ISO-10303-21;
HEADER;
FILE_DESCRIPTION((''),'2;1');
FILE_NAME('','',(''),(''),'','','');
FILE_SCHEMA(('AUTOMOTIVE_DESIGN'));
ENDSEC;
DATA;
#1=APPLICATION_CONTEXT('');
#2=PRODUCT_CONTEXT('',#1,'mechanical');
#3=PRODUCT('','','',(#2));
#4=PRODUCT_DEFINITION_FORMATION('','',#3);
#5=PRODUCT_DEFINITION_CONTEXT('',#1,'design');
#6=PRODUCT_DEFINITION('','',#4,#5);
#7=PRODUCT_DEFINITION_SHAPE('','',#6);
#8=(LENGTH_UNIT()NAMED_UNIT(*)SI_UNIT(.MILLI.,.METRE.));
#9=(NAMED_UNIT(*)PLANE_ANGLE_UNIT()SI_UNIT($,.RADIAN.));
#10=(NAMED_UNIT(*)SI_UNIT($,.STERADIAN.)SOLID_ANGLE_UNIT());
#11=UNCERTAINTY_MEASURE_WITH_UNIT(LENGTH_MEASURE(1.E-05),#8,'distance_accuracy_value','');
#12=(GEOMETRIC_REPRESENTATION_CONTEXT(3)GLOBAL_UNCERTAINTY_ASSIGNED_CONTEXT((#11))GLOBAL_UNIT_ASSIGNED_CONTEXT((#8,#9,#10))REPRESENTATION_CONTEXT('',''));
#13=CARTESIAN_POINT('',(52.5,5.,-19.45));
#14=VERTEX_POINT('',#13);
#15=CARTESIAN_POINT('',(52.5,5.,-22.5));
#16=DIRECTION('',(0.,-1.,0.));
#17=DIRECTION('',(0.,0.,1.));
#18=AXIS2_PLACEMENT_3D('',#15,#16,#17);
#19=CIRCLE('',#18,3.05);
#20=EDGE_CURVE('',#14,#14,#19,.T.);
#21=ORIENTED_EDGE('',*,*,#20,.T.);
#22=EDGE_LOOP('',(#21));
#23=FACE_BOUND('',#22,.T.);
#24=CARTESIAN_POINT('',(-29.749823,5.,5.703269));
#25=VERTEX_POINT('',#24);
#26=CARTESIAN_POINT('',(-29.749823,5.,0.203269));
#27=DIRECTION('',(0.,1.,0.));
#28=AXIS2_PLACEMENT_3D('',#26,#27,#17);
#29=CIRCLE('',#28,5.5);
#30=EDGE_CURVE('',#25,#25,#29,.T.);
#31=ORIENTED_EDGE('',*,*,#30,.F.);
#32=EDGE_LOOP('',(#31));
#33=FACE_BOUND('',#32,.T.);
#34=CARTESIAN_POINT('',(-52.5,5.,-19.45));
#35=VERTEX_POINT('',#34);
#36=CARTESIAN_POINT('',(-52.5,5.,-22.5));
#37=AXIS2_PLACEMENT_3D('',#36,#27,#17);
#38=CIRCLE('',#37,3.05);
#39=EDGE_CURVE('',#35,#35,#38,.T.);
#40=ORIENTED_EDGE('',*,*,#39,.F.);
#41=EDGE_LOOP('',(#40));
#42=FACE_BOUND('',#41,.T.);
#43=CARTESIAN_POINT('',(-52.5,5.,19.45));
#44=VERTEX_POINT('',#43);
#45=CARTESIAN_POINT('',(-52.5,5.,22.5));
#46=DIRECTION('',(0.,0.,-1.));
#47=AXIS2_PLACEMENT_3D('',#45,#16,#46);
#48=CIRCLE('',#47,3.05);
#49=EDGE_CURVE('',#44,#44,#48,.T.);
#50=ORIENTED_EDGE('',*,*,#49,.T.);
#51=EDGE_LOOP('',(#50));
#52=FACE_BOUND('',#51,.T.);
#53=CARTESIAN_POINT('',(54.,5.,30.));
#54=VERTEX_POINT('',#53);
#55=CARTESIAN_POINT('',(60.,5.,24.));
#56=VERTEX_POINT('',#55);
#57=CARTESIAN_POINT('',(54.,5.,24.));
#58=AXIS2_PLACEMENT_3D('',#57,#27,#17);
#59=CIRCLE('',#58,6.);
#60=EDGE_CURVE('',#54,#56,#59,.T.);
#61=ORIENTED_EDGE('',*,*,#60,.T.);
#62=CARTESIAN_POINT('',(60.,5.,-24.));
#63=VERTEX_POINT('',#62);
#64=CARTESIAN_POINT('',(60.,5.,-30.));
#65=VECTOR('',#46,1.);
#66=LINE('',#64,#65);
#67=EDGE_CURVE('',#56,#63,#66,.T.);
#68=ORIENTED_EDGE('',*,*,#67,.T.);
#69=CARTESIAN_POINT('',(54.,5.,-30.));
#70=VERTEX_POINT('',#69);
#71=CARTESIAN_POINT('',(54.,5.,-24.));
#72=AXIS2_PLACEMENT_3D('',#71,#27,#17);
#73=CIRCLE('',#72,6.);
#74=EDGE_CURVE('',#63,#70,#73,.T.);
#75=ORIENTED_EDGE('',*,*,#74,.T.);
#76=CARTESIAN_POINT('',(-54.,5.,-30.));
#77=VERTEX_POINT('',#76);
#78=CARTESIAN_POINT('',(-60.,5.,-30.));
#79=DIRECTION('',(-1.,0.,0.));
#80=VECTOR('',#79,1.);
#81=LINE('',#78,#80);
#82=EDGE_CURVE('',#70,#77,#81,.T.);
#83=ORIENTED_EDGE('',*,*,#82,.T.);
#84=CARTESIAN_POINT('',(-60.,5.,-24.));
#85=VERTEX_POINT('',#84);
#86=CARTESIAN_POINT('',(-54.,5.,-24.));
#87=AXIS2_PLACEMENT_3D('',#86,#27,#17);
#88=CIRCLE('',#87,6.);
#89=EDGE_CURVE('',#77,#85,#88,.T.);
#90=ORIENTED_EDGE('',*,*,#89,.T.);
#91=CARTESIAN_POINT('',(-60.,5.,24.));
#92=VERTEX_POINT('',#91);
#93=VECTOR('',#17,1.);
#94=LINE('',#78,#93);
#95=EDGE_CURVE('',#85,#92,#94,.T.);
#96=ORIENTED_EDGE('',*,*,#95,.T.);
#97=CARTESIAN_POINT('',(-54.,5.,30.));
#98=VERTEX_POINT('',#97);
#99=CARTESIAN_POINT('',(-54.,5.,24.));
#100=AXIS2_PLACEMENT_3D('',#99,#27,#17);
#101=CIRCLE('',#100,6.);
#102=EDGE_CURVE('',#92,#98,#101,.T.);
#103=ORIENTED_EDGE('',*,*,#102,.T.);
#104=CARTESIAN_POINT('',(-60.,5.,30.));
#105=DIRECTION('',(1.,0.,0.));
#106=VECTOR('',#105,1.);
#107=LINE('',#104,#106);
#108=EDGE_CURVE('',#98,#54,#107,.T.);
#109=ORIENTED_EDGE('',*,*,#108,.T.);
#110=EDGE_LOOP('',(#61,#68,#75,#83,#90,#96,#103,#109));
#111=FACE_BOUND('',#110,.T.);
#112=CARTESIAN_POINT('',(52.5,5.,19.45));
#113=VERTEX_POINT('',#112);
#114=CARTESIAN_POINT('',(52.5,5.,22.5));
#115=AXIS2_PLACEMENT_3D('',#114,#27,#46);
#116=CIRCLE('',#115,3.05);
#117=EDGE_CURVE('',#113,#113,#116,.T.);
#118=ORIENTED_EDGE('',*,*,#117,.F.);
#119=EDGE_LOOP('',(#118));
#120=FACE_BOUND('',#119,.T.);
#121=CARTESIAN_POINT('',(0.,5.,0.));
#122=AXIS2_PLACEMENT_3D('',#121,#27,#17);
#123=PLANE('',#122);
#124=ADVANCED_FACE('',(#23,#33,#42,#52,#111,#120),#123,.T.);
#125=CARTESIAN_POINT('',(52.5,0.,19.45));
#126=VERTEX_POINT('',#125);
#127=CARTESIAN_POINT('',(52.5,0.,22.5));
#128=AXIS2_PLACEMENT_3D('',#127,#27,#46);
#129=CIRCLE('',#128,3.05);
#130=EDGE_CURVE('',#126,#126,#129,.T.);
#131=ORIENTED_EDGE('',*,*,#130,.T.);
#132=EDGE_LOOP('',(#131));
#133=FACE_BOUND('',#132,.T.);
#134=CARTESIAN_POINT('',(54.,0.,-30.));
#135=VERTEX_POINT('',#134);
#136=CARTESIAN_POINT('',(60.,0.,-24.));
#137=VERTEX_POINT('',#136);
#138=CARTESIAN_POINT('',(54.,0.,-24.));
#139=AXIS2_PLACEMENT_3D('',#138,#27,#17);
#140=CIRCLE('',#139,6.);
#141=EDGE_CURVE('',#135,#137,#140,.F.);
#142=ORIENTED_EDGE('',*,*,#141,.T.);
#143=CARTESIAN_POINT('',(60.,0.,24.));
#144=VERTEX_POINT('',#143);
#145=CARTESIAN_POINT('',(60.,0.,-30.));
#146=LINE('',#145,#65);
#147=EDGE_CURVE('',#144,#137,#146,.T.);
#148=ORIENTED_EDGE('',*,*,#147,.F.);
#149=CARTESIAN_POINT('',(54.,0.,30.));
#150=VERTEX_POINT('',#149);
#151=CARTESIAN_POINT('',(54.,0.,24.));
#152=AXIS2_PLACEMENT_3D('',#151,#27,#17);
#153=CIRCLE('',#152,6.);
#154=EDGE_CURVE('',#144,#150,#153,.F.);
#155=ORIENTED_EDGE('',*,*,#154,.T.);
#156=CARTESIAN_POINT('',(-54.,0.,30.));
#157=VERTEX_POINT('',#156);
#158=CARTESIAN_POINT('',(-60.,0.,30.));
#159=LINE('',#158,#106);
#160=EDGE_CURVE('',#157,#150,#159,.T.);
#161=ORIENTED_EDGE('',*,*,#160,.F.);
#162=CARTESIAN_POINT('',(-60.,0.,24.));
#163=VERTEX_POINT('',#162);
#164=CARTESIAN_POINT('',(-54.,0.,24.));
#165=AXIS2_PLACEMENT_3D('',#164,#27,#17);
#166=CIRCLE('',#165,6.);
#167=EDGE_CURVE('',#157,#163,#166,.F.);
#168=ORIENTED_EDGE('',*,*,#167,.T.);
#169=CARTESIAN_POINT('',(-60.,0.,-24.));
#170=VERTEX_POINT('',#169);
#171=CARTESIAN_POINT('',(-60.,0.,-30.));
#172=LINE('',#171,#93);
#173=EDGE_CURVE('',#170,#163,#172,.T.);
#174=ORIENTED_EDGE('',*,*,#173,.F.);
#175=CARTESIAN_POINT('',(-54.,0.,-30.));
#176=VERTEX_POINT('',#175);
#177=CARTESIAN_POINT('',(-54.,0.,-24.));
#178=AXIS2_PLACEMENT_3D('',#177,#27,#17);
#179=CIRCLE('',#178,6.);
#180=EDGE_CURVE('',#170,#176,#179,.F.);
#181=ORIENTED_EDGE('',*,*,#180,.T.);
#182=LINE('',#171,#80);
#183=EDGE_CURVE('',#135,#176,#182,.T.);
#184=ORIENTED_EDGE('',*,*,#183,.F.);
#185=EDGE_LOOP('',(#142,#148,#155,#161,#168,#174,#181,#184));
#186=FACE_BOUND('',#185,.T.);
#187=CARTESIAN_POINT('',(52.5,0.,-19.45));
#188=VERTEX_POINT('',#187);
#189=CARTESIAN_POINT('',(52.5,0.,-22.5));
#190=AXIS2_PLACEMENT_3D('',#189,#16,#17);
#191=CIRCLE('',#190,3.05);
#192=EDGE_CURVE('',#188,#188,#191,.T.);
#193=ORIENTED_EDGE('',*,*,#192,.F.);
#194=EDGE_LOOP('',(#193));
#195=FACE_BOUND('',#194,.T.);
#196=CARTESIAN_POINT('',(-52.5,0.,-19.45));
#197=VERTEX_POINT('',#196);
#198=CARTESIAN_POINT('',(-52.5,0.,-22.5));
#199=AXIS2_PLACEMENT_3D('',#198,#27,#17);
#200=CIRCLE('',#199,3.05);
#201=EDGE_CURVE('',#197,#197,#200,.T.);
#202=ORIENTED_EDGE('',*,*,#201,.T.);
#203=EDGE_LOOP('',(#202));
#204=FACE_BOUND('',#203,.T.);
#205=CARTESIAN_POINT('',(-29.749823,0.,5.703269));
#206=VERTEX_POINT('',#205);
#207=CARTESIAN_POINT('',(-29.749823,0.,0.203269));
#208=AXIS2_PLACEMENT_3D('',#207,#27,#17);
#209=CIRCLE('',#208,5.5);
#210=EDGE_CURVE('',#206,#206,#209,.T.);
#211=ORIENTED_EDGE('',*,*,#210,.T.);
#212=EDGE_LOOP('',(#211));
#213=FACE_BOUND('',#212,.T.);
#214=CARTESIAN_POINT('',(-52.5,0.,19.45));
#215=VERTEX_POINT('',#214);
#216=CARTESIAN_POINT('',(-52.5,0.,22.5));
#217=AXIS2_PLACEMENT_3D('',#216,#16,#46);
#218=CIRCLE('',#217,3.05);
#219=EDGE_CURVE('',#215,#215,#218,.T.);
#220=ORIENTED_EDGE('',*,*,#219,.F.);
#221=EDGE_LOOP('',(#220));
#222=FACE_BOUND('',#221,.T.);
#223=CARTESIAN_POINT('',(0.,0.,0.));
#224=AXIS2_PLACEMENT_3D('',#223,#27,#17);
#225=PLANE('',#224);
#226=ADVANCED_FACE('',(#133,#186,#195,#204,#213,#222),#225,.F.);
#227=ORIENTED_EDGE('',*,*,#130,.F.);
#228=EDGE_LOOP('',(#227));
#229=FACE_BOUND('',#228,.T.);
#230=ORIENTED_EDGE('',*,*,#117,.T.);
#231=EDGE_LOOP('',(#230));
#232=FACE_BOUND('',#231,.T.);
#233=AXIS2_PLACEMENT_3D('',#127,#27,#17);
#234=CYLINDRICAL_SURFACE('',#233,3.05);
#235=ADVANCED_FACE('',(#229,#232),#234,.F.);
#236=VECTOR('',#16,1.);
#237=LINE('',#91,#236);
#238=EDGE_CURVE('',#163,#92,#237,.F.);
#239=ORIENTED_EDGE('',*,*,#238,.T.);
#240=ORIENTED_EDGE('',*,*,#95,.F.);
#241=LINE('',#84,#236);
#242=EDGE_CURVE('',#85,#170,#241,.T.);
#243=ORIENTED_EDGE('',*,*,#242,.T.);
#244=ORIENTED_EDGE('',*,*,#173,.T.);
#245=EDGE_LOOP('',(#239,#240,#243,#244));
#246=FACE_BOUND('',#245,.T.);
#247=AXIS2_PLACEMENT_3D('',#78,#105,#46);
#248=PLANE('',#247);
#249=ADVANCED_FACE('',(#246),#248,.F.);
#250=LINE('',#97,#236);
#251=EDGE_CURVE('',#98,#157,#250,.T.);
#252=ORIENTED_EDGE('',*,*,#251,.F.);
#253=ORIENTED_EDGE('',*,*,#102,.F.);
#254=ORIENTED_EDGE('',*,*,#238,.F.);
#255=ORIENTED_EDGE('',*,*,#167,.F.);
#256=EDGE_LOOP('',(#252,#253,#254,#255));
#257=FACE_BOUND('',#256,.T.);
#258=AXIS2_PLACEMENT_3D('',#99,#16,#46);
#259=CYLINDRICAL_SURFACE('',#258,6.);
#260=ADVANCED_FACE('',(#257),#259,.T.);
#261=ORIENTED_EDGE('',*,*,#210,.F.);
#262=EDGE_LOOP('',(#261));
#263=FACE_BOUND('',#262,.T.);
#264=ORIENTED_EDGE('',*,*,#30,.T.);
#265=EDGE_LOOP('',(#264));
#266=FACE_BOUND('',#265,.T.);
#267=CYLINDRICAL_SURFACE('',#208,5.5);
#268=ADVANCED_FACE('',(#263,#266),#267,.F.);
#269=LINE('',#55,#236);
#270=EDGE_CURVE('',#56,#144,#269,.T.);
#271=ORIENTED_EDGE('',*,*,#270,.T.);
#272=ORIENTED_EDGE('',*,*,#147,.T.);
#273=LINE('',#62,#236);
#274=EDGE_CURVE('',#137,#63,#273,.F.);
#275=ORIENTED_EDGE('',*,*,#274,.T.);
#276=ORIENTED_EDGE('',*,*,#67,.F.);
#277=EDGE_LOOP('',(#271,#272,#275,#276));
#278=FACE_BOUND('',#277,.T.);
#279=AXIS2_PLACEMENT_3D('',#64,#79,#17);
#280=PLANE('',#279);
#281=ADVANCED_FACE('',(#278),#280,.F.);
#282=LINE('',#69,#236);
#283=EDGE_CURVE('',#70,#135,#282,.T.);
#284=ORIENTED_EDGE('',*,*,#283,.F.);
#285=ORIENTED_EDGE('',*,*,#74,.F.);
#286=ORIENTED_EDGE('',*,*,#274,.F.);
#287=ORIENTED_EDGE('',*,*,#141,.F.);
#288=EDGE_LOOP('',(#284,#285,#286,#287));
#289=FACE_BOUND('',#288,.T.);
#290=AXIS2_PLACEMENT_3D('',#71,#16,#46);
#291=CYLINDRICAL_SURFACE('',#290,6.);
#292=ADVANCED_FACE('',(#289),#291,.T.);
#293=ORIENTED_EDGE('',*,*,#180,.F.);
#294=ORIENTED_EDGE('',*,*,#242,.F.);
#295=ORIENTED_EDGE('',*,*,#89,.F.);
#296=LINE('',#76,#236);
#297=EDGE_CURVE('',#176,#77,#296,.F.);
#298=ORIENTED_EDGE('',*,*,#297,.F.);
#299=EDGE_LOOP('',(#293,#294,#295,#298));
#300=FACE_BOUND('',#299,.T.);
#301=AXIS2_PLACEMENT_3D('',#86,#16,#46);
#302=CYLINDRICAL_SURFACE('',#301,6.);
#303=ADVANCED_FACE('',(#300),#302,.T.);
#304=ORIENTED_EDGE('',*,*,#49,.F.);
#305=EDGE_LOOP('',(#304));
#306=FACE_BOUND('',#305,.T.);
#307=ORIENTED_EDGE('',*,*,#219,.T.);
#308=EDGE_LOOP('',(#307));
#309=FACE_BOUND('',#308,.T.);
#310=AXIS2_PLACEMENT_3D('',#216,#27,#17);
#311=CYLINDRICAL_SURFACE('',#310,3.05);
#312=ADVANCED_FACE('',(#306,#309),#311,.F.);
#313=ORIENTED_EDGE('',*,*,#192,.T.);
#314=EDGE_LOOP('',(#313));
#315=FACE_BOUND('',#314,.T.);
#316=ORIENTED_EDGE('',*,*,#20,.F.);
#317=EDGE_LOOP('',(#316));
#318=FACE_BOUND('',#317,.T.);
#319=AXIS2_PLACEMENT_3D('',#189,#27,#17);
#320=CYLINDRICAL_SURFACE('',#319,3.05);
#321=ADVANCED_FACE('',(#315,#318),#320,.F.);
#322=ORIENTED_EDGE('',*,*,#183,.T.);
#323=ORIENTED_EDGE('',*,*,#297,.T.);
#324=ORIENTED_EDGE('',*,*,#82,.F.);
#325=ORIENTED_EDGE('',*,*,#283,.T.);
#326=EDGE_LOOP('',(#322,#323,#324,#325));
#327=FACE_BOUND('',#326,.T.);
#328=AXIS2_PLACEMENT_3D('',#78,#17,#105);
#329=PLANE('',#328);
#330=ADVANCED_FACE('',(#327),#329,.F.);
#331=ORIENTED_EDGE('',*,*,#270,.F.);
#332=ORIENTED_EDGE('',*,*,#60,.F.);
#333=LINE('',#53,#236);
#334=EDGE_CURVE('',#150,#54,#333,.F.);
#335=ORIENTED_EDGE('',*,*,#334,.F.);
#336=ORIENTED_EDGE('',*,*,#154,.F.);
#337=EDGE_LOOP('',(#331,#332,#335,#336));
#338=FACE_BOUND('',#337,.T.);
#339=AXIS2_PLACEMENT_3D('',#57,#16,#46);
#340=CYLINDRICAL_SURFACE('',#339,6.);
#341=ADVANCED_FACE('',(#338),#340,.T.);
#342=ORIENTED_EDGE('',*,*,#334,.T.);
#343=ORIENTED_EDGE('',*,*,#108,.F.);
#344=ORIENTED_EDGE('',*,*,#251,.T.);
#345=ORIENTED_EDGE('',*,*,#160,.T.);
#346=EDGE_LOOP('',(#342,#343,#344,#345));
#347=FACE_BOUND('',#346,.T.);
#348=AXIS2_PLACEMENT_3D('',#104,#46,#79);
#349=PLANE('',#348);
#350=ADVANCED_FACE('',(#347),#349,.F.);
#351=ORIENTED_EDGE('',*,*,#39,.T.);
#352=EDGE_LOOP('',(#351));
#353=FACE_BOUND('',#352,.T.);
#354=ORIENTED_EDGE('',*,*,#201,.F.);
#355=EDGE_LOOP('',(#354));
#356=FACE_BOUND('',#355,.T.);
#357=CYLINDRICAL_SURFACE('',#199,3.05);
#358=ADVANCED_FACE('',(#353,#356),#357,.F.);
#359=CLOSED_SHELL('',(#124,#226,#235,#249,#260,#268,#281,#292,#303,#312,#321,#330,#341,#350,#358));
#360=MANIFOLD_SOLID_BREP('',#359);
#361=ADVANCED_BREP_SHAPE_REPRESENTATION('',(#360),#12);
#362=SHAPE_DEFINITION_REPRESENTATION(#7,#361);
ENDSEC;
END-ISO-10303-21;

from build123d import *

# Parameters (mm, degrees)
SKETCH1_W               = 120
SKETCH1_H               = 60
BOSS_EXTRUDE1_DEPTH     = 5
SKETCH2_R               = 3.05
CUT_EXTRUDE1_DEPTH      = 68.268120235
MIRROR2_COPY_1_SKETCH_R = 3.05
MIRROR2_COPY_1_DEPTH    = 68.268120235
SKETCH3_R               = 5.5
CUT_EXTRUDE2_DEPTH      = 68.268120235
FILLET1_R               = 6


with BuildPart() as part:
    # Sketch1 → Boss-Extrude1 (new body)
    with BuildSketch(Plane(origin=(0, 0, 0), x_dir=(1, 0, 0), z_dir=(0, 1, 0))):
        Rectangle(SKETCH1_W, SKETCH1_H)
    extrude(amount=BOSS_EXTRUDE1_DEPTH)

    # Sketch2 → Cut-Extrude1 (cut, through all)
    with BuildSketch(Plane(origin=(0, 5, 0), x_dir=(1, 0, 0), z_dir=(0, 1, 0))):
        with Locations(Location((-52.5, 22.5, 0), (0, 0, 270))):
            Circle(SKETCH2_R)
    cut_extrude1 = extrude(amount=-CUT_EXTRUDE1_DEPTH, mode=Mode.SUBTRACT)

    # Mirror1: Cut-Extrude1 across plane
    add(cut_extrude1.mirror(Plane.XY), mode=Mode.SUBTRACT)

    # Mirror2: Cut-Extrude1 across plane
    add(cut_extrude1.mirror(Plane(origin=(0, 0, 0), x_dir=(0, 0, 1), z_dir=(1, 0, 0))), mode=Mode.SUBTRACT)

    # Mirror2 copy 1 sketch → Mirror2 copy 1 (cut, through all)
    with BuildSketch(Plane(origin=(0, 5, 0), x_dir=(-1, 0, 0), z_dir=(0, 1, 0))):
        with Locations(Location((-52.5, 22.5, 0), (0, 0, 270))):
            Circle(MIRROR2_COPY_1_SKETCH_R)
    extrude(amount=-MIRROR2_COPY_1_DEPTH, mode=Mode.SUBTRACT)

    # Sketch3 → Cut-Extrude2 (cut, through all)
    with BuildSketch(Plane(origin=(0, 5, 0), x_dir=(1, 0, 0), z_dir=(0, 1, 0))):
        with Locations(Location((-29.74982269, -0.203269064, 0), (0, 0, 270))):
            Circle(SKETCH3_R)
    extrude(amount=-CUT_EXTRUDE2_DEPTH, mode=Mode.SUBTRACT)

    # Fillet1
    fillet1_edges = [part.edges().sort_by_distance(p)[0] for p in [
        (60, 2.5, 30),
        (-60, 2.5, 30),
        (-60, 2.5, -30),
        (60, 2.5, -30),
    ]]
    fillet(fillet1_edges, radius=FILLET1_R)


solid = part.part
